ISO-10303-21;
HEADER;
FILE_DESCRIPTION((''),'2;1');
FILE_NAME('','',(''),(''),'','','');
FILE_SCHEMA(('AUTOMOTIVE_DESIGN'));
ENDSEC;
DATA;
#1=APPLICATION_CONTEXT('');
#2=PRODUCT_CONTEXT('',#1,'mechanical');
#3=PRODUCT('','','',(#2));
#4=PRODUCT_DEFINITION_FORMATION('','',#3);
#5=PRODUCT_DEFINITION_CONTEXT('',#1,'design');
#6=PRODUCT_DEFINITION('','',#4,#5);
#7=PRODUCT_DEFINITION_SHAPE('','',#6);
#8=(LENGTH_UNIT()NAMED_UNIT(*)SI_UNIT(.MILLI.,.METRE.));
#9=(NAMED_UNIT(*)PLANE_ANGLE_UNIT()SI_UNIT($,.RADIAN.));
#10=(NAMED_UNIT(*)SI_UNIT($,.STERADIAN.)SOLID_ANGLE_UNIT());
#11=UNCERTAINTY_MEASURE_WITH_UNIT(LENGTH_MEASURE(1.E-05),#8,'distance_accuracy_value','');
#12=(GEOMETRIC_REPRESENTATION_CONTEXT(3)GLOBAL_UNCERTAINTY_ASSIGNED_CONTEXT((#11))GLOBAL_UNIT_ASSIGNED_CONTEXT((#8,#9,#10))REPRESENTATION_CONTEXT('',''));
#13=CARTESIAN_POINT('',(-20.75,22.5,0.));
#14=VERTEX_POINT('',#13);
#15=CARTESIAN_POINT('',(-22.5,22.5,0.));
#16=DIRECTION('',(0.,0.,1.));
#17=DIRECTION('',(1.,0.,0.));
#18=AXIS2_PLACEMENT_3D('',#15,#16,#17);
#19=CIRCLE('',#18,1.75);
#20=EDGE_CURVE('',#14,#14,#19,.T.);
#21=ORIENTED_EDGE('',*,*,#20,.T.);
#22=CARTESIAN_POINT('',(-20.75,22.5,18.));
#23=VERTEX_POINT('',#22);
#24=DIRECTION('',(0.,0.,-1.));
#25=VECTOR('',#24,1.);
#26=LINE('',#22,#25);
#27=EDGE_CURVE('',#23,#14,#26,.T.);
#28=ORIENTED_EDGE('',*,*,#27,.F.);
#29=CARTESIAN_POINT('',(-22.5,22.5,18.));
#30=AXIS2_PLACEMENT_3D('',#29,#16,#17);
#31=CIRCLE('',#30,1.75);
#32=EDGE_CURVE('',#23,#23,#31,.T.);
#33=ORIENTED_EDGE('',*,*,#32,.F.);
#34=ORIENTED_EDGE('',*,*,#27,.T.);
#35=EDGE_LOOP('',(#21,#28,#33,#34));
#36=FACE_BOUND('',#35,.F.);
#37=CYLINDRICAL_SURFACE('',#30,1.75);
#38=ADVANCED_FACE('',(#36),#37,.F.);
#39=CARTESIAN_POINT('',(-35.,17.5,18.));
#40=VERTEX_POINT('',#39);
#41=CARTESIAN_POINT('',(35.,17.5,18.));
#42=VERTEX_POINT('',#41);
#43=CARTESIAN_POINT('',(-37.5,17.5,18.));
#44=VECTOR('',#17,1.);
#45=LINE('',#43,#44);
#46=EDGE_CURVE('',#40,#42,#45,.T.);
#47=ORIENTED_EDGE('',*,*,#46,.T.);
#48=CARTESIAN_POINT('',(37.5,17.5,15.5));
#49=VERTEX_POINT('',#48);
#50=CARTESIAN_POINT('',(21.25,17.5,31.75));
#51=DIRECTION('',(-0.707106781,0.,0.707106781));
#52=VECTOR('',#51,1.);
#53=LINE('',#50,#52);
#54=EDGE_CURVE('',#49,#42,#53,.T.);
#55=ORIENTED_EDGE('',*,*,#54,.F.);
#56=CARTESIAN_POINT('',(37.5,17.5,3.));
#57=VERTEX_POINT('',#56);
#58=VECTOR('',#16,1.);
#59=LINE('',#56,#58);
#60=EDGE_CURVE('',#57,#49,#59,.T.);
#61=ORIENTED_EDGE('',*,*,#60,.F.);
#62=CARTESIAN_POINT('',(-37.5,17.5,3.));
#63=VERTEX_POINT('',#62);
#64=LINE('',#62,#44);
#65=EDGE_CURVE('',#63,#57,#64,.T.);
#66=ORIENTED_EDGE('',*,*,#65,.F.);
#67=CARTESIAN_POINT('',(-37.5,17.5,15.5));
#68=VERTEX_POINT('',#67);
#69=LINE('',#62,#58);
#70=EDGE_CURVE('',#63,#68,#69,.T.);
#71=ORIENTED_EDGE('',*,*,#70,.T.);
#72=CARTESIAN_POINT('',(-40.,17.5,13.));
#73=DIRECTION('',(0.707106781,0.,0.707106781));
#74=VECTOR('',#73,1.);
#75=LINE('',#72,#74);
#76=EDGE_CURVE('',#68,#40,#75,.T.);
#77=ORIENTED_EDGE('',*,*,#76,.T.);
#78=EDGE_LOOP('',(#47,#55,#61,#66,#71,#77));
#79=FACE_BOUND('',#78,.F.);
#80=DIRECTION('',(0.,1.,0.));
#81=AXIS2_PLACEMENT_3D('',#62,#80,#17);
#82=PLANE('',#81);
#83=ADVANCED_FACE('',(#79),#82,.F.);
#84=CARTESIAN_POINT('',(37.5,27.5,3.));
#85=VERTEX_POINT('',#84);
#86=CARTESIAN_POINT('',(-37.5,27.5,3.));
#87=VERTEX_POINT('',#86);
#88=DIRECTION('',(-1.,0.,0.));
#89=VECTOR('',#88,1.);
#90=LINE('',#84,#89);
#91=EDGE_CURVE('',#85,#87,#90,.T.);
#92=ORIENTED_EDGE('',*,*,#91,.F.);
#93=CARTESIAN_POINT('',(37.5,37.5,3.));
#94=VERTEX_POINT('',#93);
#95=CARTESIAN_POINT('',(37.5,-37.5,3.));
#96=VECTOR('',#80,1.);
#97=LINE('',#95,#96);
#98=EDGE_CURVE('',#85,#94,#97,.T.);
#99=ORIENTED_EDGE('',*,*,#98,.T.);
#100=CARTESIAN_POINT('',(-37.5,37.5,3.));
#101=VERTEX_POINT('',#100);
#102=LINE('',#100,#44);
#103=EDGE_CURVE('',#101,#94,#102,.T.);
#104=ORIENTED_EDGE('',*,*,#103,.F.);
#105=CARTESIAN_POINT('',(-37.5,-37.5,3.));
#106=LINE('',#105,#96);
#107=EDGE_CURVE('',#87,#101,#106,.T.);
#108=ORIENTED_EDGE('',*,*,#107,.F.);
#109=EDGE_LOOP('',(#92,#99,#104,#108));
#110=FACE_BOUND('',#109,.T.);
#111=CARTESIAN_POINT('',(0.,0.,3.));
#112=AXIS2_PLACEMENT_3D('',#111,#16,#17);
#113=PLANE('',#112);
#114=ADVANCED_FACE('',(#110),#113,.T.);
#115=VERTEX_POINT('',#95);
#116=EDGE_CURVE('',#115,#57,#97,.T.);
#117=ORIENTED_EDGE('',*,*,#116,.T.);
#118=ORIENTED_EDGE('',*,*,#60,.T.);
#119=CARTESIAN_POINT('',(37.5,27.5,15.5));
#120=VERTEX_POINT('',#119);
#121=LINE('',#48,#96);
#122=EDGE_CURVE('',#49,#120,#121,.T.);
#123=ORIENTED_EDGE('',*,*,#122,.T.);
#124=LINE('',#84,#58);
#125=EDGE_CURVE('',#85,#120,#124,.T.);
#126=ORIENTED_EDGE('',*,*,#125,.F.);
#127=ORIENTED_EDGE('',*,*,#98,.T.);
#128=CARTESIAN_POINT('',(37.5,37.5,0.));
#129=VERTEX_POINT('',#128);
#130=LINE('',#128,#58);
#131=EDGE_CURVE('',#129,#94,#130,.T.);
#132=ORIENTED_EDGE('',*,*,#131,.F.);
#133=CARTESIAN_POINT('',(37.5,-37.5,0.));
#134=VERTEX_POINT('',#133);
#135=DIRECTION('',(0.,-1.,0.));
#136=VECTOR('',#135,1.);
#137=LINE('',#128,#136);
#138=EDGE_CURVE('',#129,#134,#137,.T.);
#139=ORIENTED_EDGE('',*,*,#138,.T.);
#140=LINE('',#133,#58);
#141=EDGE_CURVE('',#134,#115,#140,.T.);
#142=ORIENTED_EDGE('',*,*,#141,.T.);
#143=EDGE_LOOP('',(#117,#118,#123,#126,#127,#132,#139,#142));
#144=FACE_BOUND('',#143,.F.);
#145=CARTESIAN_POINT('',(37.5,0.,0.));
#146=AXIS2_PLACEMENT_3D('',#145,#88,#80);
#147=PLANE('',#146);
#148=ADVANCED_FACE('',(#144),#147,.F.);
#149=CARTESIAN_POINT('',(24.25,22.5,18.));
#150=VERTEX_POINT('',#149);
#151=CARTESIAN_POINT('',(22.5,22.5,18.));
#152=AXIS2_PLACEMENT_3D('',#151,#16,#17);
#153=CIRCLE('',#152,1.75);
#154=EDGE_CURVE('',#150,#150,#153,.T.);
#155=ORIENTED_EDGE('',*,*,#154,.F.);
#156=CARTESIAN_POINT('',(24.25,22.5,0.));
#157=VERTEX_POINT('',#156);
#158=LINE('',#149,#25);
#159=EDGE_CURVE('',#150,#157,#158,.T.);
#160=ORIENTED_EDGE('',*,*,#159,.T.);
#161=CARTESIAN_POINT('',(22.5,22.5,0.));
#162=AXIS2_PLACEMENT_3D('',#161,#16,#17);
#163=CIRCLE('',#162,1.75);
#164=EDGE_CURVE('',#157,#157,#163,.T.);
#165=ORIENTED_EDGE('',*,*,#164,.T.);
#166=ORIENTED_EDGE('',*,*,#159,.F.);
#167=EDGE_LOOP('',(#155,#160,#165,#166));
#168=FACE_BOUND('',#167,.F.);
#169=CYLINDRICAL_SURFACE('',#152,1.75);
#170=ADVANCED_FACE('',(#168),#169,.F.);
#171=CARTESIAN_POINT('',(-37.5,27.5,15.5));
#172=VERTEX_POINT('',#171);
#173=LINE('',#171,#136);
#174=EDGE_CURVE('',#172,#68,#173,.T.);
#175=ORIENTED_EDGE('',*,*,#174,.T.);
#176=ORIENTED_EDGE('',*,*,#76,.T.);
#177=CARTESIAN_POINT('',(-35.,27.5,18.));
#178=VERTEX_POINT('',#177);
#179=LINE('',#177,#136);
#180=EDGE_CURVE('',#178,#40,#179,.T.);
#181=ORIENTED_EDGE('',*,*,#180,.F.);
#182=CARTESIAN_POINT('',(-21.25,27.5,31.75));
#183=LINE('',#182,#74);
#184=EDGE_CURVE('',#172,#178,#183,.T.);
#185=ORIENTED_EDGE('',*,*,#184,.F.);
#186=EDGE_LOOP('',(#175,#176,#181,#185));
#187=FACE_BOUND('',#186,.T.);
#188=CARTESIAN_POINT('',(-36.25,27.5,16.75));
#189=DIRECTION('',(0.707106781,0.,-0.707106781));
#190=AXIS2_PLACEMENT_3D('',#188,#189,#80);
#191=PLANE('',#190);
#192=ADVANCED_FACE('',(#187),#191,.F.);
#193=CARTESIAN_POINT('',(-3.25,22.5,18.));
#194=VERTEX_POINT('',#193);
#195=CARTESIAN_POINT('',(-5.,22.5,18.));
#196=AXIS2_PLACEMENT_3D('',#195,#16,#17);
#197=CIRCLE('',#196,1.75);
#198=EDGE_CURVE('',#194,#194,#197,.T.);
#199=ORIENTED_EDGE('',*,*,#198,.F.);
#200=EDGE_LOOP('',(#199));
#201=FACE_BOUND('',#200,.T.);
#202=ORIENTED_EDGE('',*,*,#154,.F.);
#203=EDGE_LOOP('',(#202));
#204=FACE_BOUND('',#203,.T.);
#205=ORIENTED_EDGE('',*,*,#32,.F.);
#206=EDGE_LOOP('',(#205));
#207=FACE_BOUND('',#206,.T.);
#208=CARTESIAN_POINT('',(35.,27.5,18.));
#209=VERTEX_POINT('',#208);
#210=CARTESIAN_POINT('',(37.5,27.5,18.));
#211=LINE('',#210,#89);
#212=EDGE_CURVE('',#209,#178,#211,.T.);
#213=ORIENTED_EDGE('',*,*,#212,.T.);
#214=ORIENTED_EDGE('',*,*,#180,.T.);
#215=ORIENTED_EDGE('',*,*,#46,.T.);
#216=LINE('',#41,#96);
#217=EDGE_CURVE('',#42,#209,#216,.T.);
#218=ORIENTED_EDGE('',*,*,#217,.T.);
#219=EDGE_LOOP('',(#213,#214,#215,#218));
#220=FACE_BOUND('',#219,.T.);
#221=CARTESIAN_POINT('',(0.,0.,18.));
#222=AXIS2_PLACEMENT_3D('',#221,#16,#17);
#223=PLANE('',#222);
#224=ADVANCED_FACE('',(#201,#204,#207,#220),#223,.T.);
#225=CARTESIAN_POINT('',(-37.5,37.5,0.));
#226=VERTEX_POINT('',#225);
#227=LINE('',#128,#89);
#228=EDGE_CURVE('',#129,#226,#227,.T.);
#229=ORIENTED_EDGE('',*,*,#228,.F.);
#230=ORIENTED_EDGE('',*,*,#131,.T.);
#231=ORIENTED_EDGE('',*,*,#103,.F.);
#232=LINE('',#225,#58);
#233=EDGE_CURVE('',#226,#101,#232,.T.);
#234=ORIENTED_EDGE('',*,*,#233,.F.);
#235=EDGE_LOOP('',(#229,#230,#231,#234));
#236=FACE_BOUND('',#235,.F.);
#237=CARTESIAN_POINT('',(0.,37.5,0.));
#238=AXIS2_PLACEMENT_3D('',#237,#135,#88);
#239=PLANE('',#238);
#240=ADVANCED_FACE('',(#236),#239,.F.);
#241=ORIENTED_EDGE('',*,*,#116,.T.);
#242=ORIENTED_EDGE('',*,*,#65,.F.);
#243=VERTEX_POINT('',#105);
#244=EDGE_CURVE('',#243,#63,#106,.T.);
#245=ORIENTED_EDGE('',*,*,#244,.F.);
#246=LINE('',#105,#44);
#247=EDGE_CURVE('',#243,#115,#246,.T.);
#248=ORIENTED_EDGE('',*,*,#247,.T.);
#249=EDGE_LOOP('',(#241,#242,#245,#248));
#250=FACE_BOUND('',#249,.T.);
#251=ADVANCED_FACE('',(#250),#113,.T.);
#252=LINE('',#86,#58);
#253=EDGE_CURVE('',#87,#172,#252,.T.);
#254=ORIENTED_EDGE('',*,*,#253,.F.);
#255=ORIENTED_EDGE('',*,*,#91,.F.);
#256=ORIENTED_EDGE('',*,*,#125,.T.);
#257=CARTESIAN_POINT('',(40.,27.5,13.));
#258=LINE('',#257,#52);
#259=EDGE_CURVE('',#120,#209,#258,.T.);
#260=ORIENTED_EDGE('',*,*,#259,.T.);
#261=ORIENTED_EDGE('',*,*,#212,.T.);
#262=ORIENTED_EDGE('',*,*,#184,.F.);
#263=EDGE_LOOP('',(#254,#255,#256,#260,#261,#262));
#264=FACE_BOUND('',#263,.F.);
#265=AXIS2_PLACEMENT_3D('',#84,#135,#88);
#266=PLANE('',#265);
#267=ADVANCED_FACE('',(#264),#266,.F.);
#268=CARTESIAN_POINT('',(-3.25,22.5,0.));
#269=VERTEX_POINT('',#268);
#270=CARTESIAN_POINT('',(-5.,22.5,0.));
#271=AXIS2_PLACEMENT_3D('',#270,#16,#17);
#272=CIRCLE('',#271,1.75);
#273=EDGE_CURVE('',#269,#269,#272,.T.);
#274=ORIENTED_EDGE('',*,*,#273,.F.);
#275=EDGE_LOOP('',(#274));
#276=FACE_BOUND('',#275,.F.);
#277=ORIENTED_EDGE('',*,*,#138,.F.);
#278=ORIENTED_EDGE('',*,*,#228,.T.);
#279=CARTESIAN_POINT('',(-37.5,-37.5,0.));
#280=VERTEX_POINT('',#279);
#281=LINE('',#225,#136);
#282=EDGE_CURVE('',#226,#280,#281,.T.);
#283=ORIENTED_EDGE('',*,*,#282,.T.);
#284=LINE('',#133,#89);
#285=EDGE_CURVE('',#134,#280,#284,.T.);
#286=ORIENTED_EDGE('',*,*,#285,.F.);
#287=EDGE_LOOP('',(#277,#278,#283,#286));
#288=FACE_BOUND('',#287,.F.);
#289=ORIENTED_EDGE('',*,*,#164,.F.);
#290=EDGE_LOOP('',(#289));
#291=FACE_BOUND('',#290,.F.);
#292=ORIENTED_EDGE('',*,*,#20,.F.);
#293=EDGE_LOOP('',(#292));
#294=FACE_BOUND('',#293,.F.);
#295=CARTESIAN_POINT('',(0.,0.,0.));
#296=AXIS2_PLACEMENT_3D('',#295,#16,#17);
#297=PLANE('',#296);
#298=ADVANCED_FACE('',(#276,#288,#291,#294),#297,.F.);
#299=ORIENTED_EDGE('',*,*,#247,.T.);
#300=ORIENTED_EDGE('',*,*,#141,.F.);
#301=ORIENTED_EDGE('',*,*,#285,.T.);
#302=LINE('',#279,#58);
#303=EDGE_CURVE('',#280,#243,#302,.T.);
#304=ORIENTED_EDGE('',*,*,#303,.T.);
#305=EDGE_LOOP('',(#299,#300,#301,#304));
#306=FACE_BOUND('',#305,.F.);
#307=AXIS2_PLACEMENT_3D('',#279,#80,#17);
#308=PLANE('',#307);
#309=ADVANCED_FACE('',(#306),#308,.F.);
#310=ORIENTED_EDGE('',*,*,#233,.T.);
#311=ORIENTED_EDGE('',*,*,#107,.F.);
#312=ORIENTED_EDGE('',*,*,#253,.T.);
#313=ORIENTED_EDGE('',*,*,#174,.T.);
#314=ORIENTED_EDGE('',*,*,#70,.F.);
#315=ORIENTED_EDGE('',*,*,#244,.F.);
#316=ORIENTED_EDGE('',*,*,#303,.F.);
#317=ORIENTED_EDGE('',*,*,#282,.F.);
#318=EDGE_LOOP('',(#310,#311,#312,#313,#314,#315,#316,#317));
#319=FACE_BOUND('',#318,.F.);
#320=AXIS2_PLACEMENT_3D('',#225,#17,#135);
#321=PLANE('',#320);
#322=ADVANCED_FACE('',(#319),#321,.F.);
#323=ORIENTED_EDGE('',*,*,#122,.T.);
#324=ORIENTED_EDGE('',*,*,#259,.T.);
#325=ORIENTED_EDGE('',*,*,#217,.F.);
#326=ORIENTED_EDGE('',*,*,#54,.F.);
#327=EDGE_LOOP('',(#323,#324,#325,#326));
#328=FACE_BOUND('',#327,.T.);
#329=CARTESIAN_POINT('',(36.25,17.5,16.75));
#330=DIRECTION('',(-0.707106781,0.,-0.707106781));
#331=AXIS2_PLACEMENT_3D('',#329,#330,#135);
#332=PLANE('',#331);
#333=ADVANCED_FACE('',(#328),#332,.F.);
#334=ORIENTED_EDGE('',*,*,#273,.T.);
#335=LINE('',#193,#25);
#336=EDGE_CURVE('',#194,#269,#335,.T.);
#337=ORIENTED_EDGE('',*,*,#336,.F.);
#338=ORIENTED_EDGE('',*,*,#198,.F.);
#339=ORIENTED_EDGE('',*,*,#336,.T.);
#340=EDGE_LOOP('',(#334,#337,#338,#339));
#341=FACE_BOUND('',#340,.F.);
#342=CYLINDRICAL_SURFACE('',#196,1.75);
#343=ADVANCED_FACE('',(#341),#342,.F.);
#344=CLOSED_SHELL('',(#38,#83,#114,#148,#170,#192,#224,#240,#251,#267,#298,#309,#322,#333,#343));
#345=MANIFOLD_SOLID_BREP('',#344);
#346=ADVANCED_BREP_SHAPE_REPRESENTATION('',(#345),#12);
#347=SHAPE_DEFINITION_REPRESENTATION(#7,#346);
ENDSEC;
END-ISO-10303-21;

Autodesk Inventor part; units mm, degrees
ref_plane "YZ Plane" through (0, 0, 0) normal (1, 0, 0) x (0, 1, 0)
ref_plane "XZ Plane" through (0, 0, 0) normal (0, 1, 0) x (-1, 0, 0)
ref_plane "XY Plane" through (0, 0, 0) normal (0, 0, 1) x (1, 0, 0)
sketch "Sketch1" plane through (0, 0, 0) normal (0, 0, 1) x (1, 0, 0)
  line L0 (-52.5, 0) -> (52.5, 0) projected
  line L1 (0, -52.5) -> (0, 52.5) projected
  line L2 (-37.5, -37.5) -> (37.5, -37.5)
  line L3 (37.5, -37.5) -> (37.5, 37.5)
  line L4 (37.5, 37.5) -> (-37.5, 37.5)
  line L5 (-37.5, 37.5) -> (-37.5, -37.5)
  line L6 (-37.5, -37.5) -> (37.5, 37.5) construction
  line L7 (37.5, -37.5) -> (-37.5, 37.5) construction
  point P0 (0, 0)
  dimension "d0" = 75
  dimension "d1" = 75
extrude "Extrusion1" add sketch "Sketch1" along normal blind 3
sketch "Sketch2" plane through (0, 0, 3) normal (0, 0, 1) x (1, 0, 0)
  line L0 (37.5, -37.5) -> (37.5, 37.5) projected
  line L1 (37.5, 37.5) -> (-37.5, 37.5) projected
  line L2 (37.5, 17.5) -> (37.5, 27.5)
  line L3 (37.5, 27.5) -> (-37.5, 27.5)
  line L4 (-37.5, 27.5) -> (-37.5, 17.5)
  line L5 (-37.5, 17.5) -> (37.5, 17.5)
  point P0 (0, 0)
  dimension "d4" = 10
  dimension "d5" = 10
extrude "Extrusion2" add sketch "Sketch2" along normal blind 15
chamfer "Chamfer1" distance 2.5 angle 45 2 edges at (37.5, 22.5, 18) (-37.5, 22.5, 18)
sketch "Sketch3" plane through (0, 0, 18) normal (0, 0, 1) x (1, 0, 0)
  line L0 (-35, 17.5) -> (-35, 27.5) projected
  line L1 (35, 27.5) -> (35, 17.5) projected
  line L2 (-35, 22.5) -> (35, 22.5) construction
  circle A0 centre (-5, 22.5) radius 1.75
  circle A1 centre (-22.5, 22.5) radius 1.75
  line L3 (0, -52.5) -> (0, 52.5) projected
  circle A2 centre (22.5, 22.5) radius 1.75
  point P0 (0, 0)
  dimension "d11" = 45
  dimension "d12" = 17.5
  dimension "d13" = 5
  dimension "d14" = 3.5
extrude "Extrusion3" cut sketch "Sketch3" against normal through all
sketch "Sketch4" plane through (0, 0, 0) normal (0, 0, -1) x (-1, 0, 0)
  circle A0 centre (22.5, 22.5) radius 1.75 projected
  circle A1 centre (5, 22.5) radius 1.75 projected
  circle A2 centre (-22.5, 22.5) radius 1.75 projected
  line L0 (37.5, -37.5) -> (-37.5, -37.5) projected
  line L1 (37.5, 37.5) -> (37.5, -37.5) projected
  line L2 (-37.5, 37.5) -> (37.5, 37.5) projected
  line L3 (-37.5, -37.5) -> (-37.5, 37.5) projected
  circle A3 centre (-22.5, 22.5) radius 3.25
  circle A4 centre (5, 22.5) radius 3.25
  circle A5 centre (22.5, 22.5) radius 3.25
  point P0 (0, 0)
  dimension "d17" = 6.5
properties part number "misc_hand_stand"
